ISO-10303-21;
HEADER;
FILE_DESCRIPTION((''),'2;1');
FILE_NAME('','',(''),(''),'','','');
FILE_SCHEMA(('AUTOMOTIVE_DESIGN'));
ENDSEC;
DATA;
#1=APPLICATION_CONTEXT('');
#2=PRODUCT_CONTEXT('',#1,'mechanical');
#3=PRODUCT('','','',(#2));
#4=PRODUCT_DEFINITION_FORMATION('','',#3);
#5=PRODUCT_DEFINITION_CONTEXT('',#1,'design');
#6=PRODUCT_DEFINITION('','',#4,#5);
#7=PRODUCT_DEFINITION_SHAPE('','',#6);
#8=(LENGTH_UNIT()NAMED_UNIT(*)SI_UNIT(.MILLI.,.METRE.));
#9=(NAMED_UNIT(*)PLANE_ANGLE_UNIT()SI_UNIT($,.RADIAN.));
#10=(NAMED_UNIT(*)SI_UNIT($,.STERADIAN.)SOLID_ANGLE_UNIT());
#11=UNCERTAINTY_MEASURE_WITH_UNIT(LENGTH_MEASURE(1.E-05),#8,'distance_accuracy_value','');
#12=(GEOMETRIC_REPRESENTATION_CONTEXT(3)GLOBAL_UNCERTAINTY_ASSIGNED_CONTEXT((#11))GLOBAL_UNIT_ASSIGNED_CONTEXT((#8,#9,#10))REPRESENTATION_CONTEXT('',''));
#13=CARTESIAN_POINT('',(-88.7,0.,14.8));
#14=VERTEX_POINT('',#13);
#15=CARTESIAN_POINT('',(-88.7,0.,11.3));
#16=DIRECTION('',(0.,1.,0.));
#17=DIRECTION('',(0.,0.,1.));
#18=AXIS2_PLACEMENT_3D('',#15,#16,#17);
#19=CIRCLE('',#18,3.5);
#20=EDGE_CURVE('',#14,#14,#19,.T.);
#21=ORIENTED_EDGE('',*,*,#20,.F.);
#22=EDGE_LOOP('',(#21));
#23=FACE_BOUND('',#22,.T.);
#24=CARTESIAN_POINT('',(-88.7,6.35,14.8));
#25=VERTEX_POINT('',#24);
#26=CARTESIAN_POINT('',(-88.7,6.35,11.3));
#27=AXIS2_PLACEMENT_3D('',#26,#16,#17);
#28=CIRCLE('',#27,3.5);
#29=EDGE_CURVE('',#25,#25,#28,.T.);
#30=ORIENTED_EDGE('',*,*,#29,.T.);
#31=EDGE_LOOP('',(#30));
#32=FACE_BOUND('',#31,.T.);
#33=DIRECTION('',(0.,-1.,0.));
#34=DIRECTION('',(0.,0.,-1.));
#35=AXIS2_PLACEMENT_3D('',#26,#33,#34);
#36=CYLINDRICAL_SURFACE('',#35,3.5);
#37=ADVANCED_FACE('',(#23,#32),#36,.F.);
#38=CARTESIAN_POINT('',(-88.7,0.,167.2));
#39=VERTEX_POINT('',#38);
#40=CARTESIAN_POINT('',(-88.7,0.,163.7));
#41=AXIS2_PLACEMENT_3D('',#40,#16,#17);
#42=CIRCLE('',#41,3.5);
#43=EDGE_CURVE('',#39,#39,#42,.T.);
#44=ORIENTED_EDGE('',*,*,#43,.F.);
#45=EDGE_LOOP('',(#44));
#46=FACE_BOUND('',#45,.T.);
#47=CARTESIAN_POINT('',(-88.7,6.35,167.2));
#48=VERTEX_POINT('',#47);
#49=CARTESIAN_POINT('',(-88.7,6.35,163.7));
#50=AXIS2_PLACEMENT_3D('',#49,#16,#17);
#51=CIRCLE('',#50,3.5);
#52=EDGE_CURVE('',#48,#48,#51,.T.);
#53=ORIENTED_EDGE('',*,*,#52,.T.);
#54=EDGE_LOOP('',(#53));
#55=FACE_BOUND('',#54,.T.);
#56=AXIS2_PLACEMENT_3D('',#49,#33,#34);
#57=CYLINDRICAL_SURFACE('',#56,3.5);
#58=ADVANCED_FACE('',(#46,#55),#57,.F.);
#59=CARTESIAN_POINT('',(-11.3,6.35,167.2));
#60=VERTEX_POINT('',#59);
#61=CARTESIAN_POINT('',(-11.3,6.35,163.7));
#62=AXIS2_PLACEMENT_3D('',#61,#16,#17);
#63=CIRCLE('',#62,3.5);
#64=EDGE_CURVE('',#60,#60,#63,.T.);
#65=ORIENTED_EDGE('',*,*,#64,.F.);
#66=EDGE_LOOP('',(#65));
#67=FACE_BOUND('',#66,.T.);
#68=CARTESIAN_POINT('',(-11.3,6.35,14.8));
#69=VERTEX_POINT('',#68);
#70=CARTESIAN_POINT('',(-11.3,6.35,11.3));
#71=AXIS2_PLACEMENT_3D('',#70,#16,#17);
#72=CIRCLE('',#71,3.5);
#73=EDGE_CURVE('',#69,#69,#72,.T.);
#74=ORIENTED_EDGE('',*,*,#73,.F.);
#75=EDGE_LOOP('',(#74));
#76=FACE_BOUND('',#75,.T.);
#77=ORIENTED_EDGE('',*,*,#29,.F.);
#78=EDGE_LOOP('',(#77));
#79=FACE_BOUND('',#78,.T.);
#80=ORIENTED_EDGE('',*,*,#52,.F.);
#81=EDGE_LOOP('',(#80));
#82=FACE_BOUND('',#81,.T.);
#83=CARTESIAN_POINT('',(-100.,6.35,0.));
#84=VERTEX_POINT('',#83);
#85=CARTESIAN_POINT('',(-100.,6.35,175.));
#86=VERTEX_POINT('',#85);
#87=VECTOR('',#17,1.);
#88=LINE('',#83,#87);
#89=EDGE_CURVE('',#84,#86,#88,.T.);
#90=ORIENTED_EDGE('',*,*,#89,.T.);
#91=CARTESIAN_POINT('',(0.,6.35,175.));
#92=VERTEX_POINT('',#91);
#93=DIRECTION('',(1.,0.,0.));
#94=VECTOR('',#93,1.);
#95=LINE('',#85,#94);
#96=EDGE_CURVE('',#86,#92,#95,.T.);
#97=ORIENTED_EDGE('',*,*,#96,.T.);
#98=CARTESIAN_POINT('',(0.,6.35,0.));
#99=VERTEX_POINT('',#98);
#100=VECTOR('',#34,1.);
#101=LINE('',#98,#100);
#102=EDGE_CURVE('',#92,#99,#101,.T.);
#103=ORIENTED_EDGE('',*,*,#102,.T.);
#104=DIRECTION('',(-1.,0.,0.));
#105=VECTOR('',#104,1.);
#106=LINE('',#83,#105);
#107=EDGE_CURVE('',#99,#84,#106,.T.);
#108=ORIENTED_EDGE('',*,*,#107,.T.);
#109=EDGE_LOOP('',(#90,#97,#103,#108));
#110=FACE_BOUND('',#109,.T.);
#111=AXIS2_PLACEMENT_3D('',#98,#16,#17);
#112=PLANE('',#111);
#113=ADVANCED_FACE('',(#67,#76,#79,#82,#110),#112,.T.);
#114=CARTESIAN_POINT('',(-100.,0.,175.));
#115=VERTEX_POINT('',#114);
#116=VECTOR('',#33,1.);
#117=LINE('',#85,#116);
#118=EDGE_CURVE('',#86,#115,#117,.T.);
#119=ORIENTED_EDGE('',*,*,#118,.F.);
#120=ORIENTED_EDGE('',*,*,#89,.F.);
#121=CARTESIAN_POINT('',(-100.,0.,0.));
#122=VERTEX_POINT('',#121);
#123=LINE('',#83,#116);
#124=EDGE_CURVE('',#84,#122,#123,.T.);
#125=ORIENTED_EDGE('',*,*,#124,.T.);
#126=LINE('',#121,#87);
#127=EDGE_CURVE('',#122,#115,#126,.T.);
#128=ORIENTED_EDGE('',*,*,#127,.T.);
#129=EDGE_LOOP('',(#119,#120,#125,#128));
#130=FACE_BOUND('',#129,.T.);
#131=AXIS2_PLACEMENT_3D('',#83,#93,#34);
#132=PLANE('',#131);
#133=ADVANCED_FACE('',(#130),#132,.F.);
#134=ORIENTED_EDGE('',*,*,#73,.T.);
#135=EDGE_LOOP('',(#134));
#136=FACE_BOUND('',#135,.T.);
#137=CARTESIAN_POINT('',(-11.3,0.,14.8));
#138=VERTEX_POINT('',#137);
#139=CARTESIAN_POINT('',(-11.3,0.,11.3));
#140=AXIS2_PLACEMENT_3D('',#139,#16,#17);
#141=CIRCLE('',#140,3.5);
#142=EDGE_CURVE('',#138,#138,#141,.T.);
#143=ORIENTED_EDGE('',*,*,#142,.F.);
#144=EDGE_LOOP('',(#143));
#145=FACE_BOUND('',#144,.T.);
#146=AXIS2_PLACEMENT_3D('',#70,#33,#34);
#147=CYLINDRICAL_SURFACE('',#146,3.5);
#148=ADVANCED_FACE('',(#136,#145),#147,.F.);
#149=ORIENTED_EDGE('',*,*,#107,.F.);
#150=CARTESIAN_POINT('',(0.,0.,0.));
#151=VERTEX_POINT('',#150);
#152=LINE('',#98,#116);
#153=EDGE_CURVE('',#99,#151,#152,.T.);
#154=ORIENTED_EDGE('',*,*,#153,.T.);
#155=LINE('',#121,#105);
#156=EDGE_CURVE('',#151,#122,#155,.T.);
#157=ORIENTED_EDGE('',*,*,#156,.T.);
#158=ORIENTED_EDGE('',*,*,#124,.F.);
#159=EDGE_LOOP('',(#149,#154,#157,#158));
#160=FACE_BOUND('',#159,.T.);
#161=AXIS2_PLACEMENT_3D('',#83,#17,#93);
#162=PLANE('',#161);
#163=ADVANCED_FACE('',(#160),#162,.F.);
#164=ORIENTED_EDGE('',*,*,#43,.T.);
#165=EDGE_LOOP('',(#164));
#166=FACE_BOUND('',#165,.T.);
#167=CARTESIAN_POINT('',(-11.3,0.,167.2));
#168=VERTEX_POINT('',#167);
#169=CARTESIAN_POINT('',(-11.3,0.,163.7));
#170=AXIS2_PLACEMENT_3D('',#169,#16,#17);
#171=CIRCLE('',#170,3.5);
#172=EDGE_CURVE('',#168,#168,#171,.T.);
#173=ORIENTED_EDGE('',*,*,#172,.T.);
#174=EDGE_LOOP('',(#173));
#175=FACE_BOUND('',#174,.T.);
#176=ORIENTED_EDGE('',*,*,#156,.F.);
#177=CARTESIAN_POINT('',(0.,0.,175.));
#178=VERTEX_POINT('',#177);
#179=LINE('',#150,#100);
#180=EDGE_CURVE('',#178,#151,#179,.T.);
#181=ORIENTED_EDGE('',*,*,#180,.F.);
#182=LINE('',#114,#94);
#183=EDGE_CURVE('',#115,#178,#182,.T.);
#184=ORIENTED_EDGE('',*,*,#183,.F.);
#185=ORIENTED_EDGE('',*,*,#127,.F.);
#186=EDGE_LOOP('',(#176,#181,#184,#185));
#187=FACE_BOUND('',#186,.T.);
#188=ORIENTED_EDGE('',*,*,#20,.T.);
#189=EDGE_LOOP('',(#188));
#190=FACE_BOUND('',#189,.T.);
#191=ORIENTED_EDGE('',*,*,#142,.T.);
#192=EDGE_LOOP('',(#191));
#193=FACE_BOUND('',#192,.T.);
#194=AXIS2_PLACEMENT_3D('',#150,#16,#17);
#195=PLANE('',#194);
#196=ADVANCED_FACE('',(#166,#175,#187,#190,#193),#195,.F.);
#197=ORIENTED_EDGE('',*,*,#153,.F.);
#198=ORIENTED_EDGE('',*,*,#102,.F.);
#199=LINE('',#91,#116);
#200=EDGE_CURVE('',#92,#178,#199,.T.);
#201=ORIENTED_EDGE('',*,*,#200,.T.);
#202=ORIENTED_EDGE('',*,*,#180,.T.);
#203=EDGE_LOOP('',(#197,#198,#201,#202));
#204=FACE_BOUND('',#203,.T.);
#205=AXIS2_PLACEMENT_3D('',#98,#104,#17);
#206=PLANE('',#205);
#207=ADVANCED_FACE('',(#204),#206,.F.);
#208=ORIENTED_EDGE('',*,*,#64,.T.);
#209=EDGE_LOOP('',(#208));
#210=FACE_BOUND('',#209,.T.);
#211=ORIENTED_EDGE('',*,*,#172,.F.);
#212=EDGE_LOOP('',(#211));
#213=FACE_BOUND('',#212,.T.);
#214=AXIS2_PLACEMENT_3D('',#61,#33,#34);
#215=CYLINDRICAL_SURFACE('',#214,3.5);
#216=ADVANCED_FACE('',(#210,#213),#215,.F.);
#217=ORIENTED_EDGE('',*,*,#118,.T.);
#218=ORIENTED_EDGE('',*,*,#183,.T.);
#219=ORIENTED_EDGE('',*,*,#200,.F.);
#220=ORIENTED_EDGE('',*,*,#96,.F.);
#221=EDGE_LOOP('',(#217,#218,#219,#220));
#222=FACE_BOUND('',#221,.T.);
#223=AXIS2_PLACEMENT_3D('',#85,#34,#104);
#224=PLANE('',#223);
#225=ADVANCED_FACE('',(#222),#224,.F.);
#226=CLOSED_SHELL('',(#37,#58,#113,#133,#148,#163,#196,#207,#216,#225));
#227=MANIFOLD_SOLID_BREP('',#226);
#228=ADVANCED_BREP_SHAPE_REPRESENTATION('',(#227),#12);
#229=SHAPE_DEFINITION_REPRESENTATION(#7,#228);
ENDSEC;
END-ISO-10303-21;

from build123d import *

# Parameters (mm, degrees)
SKETCH1_W           = 100
SKETCH1_H           = 175
SKETCH1_R           = 3.5
BOSS_EXTRUDE1_DEPTH = 6.35


with BuildPart() as part:
    # Sketch1 → Boss-Extrude1 (new body)
    with BuildSketch(Plane(origin=(0, 0, 0), x_dir=(1, 0, 0), z_dir=(0, 1, 0))):
        with Locations((-50, -87.5)):
            Rectangle(SKETCH1_W, SKETCH1_H)
        with Locations((-88.7, -163.7)):
            Circle(SKETCH1_R, mode=Mode.SUBTRACT)
        with Locations((-11.3, -163.7)):
            Circle(SKETCH1_R, mode=Mode.SUBTRACT)
        with Locations((-11.3, -11.3)):
            Circle(SKETCH1_R, mode=Mode.SUBTRACT)
        with Locations((-88.7, -11.3)):
            Circle(SKETCH1_R, mode=Mode.SUBTRACT)
    extrude(amount=BOSS_EXTRUDE1_DEPTH)


solid = part.part
